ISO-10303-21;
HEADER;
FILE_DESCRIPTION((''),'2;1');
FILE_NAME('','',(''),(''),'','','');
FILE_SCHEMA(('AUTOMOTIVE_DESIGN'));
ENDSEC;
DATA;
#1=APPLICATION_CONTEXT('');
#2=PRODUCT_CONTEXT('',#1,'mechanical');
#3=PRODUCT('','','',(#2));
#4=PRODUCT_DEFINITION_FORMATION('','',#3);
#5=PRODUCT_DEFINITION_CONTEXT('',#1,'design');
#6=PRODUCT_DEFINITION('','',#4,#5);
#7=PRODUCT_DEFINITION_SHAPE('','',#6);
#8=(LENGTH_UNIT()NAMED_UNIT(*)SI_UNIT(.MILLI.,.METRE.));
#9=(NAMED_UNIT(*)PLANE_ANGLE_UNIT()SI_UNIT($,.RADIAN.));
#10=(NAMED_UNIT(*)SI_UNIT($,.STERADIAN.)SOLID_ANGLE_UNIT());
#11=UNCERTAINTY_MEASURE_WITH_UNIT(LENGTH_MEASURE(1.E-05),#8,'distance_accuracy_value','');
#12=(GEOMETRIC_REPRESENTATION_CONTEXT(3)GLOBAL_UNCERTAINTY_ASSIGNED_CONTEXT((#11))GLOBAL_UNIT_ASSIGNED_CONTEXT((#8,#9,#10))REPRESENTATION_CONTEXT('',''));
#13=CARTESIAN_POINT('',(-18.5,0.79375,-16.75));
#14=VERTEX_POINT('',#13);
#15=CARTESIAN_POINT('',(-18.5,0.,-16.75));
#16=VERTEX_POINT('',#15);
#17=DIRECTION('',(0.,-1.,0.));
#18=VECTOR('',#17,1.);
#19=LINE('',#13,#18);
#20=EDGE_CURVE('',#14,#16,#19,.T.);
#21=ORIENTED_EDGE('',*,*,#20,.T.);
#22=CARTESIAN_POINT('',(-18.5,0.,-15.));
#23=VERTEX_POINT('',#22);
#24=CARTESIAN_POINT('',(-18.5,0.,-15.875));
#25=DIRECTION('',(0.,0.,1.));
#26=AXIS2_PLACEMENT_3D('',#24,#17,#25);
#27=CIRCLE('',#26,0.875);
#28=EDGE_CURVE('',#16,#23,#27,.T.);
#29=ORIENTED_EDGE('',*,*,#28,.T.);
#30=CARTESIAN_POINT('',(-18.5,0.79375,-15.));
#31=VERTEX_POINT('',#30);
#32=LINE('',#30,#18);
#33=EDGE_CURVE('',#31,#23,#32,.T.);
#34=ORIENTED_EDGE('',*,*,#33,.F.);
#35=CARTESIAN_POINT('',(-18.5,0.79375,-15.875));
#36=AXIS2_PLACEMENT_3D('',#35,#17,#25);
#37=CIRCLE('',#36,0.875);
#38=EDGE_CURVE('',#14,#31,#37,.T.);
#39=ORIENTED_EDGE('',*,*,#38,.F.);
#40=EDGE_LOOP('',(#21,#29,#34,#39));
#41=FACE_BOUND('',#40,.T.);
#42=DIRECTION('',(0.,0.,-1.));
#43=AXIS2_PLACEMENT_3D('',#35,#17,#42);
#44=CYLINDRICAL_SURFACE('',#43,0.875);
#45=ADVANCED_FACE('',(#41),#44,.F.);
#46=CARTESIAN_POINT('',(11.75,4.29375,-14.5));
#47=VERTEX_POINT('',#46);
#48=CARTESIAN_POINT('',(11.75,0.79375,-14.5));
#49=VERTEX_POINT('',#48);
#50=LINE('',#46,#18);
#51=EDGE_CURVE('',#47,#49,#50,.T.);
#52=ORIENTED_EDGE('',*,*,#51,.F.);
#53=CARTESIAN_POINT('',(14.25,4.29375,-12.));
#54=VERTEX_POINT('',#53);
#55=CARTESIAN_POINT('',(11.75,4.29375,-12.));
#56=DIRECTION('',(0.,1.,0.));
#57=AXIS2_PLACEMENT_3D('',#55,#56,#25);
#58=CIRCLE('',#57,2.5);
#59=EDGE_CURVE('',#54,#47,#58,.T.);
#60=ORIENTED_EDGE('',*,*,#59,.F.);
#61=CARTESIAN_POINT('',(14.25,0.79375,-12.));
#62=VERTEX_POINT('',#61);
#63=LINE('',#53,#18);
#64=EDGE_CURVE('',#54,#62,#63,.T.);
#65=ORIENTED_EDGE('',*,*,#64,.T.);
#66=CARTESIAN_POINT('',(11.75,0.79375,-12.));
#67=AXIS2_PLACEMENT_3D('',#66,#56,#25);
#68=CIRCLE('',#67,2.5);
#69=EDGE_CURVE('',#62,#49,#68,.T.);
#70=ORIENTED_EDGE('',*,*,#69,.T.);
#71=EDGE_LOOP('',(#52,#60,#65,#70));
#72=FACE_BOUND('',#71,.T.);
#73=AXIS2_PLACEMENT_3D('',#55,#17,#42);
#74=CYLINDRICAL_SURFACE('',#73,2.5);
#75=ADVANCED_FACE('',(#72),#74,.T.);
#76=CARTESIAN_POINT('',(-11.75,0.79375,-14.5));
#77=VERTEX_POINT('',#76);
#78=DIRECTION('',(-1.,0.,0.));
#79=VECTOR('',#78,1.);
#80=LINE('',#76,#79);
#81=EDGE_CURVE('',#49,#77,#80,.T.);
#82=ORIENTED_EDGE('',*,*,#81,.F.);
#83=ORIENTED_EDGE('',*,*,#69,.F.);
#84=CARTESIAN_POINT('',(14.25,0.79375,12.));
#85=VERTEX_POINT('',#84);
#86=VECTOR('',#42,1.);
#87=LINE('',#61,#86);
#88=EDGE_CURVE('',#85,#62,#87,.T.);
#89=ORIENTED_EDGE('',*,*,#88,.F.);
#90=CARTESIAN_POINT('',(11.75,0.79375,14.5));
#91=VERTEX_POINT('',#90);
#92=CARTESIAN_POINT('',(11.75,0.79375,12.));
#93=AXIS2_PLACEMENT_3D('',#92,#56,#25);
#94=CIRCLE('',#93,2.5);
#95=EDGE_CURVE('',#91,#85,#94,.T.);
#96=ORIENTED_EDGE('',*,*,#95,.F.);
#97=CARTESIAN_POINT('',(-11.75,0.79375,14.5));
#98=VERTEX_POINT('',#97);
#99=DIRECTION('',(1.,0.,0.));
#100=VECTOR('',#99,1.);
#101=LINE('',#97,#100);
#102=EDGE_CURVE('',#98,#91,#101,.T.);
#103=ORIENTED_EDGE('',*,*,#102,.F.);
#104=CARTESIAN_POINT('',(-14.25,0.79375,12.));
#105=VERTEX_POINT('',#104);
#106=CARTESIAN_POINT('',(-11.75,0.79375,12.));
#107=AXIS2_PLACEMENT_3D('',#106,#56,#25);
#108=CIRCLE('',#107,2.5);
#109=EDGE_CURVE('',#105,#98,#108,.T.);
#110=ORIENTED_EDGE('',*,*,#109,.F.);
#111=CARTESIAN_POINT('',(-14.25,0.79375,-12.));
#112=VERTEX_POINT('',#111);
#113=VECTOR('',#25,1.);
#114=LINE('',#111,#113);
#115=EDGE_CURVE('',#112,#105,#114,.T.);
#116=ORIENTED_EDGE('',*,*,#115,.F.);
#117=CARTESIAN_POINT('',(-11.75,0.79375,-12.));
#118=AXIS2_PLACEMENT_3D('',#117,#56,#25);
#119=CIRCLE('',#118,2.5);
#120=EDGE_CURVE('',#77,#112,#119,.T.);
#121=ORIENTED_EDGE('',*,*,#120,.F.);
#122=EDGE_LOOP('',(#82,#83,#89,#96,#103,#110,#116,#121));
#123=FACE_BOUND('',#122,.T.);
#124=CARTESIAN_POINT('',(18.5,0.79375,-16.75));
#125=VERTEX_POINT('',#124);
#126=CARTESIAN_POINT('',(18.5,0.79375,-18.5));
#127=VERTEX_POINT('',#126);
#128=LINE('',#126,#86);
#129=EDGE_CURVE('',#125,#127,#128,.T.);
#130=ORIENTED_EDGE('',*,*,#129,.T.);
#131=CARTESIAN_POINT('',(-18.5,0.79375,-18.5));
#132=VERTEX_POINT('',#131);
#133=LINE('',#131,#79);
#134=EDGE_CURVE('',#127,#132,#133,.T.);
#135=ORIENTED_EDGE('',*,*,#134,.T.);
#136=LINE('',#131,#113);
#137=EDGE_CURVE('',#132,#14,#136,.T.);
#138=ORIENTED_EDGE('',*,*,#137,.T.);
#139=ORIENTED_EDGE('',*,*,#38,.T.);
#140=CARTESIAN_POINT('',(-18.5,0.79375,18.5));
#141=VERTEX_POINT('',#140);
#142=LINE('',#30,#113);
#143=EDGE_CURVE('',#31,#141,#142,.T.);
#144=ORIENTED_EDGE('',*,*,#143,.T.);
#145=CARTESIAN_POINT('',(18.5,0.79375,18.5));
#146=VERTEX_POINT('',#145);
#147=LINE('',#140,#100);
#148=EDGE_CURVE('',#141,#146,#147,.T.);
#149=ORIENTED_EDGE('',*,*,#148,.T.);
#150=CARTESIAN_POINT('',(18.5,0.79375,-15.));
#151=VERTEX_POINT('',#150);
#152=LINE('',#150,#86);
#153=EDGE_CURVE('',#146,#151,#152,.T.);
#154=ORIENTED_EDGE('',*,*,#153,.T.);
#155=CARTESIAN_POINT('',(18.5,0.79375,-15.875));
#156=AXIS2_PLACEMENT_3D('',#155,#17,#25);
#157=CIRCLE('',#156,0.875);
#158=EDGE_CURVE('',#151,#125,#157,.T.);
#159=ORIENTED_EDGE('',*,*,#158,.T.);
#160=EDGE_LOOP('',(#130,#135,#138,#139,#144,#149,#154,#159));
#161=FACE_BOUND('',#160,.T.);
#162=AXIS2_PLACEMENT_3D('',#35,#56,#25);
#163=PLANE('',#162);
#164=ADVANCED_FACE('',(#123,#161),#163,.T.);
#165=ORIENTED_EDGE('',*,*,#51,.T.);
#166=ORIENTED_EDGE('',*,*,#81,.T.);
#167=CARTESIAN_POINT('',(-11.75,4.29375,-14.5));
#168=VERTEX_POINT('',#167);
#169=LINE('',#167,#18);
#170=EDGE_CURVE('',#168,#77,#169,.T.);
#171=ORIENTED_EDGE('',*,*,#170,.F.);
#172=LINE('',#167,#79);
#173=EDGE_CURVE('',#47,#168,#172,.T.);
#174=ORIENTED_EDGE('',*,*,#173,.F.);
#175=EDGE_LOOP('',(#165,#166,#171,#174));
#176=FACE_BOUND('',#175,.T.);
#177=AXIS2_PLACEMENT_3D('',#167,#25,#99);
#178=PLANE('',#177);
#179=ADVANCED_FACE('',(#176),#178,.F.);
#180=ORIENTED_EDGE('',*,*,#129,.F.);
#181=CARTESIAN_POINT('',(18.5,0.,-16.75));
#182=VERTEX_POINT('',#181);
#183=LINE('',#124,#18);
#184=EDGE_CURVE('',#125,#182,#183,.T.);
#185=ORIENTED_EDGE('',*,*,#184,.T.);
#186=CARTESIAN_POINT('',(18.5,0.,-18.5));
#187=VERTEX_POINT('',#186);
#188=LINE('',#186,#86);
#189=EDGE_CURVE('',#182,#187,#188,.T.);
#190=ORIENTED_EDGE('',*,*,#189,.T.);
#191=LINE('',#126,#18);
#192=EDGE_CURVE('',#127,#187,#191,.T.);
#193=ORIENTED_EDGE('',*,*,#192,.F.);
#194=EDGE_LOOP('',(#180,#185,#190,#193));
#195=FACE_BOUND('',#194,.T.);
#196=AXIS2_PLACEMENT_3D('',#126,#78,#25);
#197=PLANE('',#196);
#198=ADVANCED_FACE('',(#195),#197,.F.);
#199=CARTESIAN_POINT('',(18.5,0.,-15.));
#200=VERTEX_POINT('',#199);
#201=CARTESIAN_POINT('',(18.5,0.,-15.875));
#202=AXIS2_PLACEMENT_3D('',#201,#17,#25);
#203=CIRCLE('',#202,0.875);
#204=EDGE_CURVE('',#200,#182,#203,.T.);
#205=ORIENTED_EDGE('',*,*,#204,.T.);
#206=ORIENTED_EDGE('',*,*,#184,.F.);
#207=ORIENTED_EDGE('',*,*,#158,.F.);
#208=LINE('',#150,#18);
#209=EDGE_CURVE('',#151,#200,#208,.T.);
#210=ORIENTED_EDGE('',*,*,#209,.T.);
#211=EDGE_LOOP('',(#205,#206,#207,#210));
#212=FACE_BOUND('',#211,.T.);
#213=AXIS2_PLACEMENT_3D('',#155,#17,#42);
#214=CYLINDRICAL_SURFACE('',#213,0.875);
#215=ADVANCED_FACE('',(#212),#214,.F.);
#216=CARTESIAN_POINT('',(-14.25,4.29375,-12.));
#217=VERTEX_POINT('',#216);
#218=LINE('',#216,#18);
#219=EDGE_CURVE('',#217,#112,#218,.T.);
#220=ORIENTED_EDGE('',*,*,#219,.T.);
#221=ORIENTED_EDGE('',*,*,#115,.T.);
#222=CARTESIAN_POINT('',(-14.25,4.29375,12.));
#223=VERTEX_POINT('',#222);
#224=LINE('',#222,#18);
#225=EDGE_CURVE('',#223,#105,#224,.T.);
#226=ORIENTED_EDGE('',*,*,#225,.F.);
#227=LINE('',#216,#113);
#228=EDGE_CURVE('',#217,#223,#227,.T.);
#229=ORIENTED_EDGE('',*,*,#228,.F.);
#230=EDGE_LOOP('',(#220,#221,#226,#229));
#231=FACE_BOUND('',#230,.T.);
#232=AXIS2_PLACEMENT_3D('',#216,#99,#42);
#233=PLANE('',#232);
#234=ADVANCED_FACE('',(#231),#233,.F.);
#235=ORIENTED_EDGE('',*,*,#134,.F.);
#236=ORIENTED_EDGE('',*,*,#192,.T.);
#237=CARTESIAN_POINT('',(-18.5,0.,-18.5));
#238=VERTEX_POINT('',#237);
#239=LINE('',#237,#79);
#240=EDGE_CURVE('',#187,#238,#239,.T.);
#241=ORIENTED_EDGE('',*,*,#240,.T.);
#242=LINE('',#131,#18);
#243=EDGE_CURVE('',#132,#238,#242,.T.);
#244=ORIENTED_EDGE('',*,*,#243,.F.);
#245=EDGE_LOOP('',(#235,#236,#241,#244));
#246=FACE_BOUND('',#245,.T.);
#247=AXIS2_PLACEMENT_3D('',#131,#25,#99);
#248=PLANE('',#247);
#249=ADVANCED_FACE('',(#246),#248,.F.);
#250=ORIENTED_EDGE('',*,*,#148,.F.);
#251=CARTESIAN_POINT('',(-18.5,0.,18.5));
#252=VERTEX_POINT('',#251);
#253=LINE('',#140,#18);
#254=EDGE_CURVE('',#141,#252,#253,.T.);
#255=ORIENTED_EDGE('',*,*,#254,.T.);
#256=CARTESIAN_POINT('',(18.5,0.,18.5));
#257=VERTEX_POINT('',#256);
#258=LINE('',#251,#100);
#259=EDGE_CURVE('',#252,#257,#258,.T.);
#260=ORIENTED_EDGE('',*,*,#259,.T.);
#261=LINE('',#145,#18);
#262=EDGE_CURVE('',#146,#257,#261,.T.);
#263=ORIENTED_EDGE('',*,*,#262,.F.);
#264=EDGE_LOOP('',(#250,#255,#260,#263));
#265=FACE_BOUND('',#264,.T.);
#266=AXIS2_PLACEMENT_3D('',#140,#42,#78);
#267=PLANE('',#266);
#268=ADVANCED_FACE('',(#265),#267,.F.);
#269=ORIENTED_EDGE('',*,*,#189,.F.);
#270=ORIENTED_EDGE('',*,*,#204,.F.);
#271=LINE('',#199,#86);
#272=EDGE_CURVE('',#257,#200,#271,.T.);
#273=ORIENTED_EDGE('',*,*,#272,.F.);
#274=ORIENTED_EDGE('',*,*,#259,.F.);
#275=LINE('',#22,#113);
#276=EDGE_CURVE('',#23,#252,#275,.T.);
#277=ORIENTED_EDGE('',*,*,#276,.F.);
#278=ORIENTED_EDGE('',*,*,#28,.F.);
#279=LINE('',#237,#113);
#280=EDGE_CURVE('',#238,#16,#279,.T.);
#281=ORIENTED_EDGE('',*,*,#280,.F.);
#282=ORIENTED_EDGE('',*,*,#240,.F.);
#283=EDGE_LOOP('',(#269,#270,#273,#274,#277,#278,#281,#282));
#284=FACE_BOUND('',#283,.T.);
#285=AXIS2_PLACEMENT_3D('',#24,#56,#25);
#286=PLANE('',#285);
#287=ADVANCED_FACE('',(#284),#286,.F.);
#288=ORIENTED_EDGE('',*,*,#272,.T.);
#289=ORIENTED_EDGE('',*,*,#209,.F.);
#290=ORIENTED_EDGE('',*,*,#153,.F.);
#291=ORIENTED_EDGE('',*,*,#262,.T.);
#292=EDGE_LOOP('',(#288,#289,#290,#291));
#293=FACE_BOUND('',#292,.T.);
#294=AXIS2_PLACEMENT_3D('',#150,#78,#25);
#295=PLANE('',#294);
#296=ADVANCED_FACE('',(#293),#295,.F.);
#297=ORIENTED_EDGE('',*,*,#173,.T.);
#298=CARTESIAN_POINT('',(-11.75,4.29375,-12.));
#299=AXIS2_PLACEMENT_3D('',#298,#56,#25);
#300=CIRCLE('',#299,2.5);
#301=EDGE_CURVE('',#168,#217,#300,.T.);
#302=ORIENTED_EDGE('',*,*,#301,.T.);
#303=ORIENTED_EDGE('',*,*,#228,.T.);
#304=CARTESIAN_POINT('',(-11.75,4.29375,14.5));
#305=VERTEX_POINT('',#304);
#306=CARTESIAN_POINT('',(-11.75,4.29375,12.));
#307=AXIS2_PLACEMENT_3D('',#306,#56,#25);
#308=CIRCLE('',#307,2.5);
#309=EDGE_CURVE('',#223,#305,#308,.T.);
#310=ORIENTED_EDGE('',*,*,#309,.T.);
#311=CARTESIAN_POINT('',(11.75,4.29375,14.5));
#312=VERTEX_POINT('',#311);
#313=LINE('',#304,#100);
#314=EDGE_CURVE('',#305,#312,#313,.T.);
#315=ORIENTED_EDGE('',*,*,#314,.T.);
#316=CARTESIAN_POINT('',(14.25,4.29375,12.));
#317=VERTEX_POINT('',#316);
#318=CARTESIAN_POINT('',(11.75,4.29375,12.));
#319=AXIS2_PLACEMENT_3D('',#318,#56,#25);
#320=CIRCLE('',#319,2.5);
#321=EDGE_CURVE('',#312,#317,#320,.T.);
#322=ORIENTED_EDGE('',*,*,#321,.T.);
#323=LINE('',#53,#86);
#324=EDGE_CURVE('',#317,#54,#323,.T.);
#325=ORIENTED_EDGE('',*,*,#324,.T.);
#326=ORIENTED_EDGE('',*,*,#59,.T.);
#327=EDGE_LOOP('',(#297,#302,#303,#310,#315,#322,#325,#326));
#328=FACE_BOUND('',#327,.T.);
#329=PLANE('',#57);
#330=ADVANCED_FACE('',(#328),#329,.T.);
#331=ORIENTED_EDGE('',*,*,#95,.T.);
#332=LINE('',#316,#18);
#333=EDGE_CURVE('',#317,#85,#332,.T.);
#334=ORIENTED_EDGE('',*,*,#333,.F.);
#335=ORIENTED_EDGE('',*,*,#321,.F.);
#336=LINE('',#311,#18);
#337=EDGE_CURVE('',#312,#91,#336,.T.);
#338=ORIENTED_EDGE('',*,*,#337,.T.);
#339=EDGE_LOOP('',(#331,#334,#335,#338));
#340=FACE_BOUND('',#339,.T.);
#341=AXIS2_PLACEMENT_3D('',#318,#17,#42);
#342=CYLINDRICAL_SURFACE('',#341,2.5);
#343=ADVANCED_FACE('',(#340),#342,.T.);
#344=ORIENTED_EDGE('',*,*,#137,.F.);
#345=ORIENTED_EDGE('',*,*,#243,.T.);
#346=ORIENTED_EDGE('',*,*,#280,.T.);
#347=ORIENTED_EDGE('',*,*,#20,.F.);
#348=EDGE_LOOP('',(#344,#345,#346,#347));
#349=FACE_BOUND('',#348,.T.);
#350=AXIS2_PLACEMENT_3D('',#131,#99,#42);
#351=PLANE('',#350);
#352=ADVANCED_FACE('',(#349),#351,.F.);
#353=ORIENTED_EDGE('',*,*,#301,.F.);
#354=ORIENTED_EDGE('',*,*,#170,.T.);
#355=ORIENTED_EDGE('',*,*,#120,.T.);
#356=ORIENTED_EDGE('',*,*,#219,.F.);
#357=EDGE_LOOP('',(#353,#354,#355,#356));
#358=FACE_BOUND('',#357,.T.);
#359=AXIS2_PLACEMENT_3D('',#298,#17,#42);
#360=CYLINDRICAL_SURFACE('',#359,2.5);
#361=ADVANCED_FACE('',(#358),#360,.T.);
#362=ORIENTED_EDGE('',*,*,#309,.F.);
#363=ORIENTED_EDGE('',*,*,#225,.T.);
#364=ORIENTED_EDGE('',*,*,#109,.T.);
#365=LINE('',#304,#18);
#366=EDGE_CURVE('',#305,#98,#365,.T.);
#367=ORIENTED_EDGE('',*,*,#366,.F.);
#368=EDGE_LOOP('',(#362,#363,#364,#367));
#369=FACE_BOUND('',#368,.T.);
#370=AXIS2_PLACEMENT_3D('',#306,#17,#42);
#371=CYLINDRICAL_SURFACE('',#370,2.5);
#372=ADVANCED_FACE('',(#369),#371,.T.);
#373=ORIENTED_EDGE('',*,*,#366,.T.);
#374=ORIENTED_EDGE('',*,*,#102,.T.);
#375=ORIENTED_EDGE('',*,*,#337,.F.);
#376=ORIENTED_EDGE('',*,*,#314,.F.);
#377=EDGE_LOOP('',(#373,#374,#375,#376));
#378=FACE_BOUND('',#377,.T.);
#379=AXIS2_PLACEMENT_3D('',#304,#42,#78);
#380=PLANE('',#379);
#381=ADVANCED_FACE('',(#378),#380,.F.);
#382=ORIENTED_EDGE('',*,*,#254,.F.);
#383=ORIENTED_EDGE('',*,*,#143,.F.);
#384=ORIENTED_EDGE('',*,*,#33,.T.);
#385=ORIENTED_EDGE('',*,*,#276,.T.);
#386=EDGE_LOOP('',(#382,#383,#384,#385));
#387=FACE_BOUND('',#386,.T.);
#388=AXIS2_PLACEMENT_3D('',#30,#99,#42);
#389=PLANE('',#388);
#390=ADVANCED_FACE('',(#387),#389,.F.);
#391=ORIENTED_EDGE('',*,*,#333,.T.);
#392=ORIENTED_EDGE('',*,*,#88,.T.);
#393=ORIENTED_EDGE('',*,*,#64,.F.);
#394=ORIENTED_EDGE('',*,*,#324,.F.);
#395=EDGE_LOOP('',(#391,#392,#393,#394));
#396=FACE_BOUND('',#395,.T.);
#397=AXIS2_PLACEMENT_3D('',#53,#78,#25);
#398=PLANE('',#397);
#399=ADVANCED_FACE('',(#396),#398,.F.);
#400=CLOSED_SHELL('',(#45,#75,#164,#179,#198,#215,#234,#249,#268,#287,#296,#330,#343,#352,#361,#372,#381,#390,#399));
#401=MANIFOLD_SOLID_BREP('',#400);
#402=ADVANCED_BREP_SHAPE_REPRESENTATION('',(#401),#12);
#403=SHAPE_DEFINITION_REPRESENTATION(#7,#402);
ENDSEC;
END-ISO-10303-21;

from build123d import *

# Parameters (mm, degrees)
BOSS_EXTRUDE1_DEPTH = 0.79375
BOSS_EXTRUDE2_DEPTH = 3.5


with BuildPart() as part:
    # Sketch1 → Boss-Extrude1 (new body)
    with BuildSketch(Plane(origin=(0, 0, 0), x_dir=(1, 0, 0), z_dir=(0, 1, 0))):
        with BuildLine():
            Line((-18.5, 18.5), (18.5, 18.5))
            Line((18.5, 18.5), (18.5, 16.75))
            ThreePointArc((18.5, 16.75), (17.625, 15.875), (18.5, 15))
            Line((18.5, 15), (18.5, -18.5))
            Line((18.5, -18.5), (-18.5, -18.5))
            Line((-18.5, -18.5), (-18.5, 15))
            ThreePointArc((-18.5, 15), (-17.625, 15.875), (-18.5, 16.75))
            Line((-18.5, 16.75), (-18.5, 18.5))
        make_face()
    extrude(amount=BOSS_EXTRUDE1_DEPTH)

    # Sketch2 → Boss-Extrude2 (add)
    with BuildSketch(Plane(origin=(0, 0.79375, 0), x_dir=(1, 0, 0), z_dir=(0, 1, 0))):
        with BuildLine():
            Line((-11.75, 14.5), (11.75, 14.5))
            ThreePointArc((11.75, 14.5), (13.517766953, 13.767766953), (14.25, 12))
            Line((14.25, 12), (14.25, -12))
            ThreePointArc((14.25, -12), (13.517766953, -13.767766953), (11.75, -14.5))
            Line((11.75, -14.5), (-11.75, -14.5))
            ThreePointArc((-11.75, -14.5), (-13.517766953, -13.767766953), (-14.25, -12))
            Line((-14.25, -12), (-14.25, 12))
            ThreePointArc((-14.25, 12), (-13.517766953, 13.767766953), (-11.75, 14.5))
        make_face()
    extrude(amount=BOSS_EXTRUDE2_DEPTH)


solid = part.part
